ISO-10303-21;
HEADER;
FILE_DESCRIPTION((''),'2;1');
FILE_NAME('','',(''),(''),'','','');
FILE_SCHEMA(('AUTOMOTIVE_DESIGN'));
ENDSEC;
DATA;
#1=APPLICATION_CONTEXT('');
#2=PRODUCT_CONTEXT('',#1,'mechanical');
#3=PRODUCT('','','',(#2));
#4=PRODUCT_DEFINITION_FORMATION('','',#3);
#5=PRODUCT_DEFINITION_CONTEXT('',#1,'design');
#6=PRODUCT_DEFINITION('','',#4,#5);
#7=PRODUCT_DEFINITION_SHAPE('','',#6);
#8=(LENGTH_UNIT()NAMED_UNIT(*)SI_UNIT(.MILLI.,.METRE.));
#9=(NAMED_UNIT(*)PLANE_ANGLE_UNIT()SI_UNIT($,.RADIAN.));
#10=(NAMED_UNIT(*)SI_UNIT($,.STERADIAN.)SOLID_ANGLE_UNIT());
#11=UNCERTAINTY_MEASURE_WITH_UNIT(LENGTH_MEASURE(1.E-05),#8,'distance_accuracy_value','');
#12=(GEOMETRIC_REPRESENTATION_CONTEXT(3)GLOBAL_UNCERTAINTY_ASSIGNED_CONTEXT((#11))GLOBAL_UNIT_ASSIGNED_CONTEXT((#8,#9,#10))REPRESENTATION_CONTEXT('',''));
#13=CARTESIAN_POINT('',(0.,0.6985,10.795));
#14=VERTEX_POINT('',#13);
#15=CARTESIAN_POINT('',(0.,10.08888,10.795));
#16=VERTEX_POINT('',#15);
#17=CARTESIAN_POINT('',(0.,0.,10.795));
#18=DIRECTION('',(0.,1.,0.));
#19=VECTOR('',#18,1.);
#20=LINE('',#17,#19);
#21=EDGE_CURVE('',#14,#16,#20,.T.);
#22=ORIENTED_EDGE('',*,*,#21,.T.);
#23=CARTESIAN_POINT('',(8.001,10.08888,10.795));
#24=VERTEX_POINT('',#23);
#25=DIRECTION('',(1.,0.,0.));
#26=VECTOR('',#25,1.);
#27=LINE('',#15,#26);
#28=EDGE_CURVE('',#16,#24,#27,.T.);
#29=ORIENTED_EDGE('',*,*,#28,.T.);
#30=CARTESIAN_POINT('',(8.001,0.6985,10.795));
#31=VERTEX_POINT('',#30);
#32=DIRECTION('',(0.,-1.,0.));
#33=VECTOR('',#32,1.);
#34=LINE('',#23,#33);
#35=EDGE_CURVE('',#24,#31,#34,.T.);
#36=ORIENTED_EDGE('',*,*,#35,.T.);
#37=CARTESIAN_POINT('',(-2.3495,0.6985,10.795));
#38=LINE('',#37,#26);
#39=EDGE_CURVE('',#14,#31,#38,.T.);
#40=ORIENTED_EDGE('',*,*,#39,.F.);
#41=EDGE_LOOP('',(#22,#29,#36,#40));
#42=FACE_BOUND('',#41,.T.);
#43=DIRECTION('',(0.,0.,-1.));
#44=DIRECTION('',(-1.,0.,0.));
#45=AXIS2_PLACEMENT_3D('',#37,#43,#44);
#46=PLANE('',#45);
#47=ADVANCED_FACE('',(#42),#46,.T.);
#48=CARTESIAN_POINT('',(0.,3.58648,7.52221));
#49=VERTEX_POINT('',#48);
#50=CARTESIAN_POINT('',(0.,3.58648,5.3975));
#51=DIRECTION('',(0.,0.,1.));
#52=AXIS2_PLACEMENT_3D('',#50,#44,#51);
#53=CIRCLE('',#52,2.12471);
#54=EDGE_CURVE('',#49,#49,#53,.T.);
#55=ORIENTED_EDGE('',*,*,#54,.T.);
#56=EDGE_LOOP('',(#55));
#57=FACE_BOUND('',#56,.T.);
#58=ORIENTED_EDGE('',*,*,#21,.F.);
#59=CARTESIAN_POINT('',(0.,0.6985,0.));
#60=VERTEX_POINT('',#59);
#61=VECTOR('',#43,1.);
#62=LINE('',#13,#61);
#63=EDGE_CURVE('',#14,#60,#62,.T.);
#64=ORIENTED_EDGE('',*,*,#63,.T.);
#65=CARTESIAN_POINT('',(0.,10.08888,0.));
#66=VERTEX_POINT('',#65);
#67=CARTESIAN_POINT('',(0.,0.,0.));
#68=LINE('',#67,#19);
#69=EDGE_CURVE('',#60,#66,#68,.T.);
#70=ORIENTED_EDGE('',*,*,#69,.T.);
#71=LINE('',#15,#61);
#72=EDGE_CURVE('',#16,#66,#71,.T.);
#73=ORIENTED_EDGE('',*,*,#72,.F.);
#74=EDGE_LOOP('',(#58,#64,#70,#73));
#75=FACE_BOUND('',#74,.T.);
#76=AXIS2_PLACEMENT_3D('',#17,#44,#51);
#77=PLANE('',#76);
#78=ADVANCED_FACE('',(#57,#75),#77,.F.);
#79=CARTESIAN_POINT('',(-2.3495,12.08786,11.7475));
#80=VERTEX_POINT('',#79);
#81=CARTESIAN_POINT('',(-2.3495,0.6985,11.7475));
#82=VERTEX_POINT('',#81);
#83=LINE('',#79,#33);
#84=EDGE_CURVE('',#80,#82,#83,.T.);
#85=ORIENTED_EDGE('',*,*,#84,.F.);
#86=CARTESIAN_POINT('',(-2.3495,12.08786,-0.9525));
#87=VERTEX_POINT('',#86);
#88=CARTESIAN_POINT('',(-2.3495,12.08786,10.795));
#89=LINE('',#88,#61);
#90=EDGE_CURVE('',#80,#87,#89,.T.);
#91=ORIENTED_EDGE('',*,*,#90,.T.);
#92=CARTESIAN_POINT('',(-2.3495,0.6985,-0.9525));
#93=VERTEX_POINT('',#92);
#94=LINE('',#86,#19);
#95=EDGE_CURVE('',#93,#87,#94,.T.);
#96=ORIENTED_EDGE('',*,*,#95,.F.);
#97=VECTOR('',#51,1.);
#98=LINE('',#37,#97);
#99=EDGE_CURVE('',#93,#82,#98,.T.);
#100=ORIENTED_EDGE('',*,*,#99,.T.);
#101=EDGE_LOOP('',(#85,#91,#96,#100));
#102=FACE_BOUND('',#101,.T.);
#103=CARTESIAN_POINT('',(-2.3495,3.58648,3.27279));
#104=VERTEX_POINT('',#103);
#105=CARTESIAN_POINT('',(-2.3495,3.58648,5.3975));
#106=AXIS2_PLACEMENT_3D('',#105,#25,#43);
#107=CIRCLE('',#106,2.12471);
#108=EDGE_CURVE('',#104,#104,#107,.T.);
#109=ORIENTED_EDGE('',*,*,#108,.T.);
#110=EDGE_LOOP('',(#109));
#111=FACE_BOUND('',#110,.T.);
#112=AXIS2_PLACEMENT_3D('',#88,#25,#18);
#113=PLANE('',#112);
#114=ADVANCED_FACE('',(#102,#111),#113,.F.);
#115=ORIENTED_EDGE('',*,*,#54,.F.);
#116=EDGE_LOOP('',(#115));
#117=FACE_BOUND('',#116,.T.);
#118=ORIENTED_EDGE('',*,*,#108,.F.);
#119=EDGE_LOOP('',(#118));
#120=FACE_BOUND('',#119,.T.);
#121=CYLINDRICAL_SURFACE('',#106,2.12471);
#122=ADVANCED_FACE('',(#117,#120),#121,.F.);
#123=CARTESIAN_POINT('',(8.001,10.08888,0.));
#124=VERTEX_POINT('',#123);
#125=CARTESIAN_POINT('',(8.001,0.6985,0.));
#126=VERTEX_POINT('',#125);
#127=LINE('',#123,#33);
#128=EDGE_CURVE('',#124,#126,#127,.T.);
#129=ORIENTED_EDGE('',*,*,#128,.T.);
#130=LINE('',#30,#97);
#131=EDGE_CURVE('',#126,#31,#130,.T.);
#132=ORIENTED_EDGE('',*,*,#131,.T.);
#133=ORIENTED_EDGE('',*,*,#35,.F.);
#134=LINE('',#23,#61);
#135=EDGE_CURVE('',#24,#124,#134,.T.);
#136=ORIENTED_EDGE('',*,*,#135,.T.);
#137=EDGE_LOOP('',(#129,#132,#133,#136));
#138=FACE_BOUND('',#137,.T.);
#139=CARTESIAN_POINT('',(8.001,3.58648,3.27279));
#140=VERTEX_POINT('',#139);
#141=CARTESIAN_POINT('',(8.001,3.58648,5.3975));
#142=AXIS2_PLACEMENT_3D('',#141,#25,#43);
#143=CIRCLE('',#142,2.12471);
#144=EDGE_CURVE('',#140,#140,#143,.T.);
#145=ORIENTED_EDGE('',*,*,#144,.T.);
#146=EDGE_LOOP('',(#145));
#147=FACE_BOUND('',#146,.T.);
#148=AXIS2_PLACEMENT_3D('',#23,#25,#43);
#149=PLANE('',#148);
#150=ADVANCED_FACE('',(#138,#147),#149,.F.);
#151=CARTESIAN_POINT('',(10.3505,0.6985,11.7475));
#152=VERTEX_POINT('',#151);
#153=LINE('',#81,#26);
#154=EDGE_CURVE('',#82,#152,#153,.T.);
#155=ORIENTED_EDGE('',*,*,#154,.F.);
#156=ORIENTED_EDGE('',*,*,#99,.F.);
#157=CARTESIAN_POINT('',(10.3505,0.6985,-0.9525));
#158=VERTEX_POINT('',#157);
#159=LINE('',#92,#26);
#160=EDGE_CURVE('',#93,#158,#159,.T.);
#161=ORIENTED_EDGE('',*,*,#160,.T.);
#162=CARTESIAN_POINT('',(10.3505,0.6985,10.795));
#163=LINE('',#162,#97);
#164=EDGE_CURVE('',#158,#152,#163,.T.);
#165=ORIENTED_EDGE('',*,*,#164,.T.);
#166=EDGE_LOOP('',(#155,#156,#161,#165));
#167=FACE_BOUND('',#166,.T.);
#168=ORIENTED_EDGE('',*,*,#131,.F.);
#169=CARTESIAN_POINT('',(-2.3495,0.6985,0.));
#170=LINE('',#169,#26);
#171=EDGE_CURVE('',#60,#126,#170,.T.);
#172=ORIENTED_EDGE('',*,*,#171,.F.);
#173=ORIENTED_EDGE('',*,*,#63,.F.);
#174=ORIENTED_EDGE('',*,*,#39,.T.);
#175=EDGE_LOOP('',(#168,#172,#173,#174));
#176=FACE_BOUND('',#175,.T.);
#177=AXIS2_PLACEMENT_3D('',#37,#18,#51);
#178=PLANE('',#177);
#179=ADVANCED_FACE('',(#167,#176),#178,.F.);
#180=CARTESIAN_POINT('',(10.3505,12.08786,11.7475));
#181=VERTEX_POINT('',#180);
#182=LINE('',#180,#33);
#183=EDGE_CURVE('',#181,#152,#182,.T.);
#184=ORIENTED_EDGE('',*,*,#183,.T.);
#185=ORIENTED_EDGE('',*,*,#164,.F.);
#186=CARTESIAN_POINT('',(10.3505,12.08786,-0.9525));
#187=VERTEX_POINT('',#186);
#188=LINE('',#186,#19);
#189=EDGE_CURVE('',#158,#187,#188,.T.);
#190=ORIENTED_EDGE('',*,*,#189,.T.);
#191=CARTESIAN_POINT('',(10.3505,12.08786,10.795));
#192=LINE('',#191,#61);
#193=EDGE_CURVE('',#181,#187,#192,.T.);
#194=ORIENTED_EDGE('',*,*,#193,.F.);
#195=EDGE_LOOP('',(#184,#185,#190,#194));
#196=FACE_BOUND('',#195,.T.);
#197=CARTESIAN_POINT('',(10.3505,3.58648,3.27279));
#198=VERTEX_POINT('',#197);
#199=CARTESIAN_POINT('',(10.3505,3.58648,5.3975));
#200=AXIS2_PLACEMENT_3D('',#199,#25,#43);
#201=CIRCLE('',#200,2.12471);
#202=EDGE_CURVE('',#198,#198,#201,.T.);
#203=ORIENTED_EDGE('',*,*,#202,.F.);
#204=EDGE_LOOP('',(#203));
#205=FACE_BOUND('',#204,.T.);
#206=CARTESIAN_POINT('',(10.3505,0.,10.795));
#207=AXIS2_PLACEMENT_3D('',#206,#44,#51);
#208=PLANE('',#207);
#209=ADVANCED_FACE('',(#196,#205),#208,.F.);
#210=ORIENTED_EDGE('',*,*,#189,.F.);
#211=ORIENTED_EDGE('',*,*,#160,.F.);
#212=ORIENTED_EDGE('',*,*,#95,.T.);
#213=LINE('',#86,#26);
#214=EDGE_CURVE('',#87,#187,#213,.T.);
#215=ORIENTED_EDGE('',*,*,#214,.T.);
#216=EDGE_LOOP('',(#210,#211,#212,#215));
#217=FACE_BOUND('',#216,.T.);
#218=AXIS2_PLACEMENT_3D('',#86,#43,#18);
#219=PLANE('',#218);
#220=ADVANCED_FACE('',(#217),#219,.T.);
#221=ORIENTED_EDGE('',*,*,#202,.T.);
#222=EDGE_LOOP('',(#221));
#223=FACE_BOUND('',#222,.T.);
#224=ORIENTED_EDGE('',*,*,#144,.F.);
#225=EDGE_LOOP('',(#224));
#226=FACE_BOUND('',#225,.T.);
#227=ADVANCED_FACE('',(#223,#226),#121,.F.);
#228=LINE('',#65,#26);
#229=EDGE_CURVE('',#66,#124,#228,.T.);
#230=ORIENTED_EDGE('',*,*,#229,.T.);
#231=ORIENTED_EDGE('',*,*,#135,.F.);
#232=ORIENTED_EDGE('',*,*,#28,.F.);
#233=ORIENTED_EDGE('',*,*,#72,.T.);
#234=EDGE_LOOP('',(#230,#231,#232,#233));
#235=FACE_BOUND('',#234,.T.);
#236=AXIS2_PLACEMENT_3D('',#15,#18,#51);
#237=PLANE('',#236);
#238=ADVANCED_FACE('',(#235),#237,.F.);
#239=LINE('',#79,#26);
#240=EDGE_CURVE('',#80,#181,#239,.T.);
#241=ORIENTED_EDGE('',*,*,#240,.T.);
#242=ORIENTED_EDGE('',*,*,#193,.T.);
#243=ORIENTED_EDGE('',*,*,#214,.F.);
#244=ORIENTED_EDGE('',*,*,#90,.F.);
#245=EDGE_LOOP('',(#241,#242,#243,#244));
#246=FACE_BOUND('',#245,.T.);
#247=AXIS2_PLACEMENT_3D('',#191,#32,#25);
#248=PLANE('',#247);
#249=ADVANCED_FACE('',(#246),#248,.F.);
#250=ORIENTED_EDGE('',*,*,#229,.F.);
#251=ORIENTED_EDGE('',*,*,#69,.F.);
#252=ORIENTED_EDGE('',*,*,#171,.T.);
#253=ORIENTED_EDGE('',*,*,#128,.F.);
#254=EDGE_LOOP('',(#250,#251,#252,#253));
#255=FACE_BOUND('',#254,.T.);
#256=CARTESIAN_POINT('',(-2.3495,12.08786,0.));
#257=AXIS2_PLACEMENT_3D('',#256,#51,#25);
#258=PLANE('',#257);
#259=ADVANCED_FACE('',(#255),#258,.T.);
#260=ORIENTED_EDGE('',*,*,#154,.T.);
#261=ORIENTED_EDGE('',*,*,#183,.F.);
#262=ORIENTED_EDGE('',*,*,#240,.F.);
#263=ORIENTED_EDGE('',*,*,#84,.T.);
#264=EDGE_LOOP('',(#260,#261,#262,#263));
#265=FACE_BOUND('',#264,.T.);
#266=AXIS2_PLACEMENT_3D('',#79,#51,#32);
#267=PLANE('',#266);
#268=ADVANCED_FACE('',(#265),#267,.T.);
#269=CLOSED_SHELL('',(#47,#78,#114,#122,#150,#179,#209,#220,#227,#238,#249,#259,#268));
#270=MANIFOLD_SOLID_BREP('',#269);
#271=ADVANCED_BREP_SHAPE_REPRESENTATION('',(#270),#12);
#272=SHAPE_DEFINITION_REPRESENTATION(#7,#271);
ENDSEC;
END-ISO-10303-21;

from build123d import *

# Parameters (mm, degrees)
BOSS_EXTRUDE1_DEPTH = 10.795
SKETCH2_R           = 2.12471
CUT_EXTRUDE1_DEPTH  = 13.7
SKETCH3_W           = 10.795
SKETCH3_H           = 0.6985
CUT_EXTRUDE2_DEPTH  = 13.7
SKETCH4_W           = 0.9525
SKETCH4_H           = 11.38936
BOSS_EXTRUDE2_DEPTH = 12.7


with BuildPart() as part:
    # Sketch1 → Boss-Extrude1 (new body)
    with BuildSketch(Plane.XY):
        Polygon((0, 0), (0, 10.08888), (8.001, 10.08888), (8.001, 0), (10.3505, 0), (10.3505, 12.08786), (-2.3495, 12.08786), (-2.3495, 0), align=None)
    extrude(amount=BOSS_EXTRUDE1_DEPTH)

    # Sketch2 → Cut-Extrude1 (cut, through all)
    with BuildSketch(Plane(origin=(10.3505, 0, 0), x_dir=(0, 0, -1), z_dir=(1, 0, 0))):
        with Locations((-5.3975, 3.58648)):
            Circle(SKETCH2_R)
    extrude(amount=-CUT_EXTRUDE1_DEPTH, mode=Mode.SUBTRACT)

    # Sketch3 → Cut-Extrude2 (cut, through all)
    with BuildSketch(Plane(origin=(10.3505, 0, 0), x_dir=(0, 0, -1), z_dir=(1, 0, 0))):
        with Locations((-5.3975, 0.34925)):
            Rectangle(SKETCH3_W, SKETCH3_H)
    extrude(amount=-CUT_EXTRUDE2_DEPTH, mode=Mode.SUBTRACT)

    # Sketch4 → Boss-Extrude2 (add)
    with BuildSketch(Plane(origin=(10.3505, 0, 0), x_dir=(0, 0, -1), z_dir=(1, 0, 0))):
        with Locations((-11.27125, 6.39318)):
            Rectangle(SKETCH4_W, SKETCH4_H)
        with Locations((0.47625, 6.39318)):
            Rectangle(SKETCH4_W, SKETCH4_H)
    extrude(amount=-BOSS_EXTRUDE2_DEPTH)


solid = part.part
